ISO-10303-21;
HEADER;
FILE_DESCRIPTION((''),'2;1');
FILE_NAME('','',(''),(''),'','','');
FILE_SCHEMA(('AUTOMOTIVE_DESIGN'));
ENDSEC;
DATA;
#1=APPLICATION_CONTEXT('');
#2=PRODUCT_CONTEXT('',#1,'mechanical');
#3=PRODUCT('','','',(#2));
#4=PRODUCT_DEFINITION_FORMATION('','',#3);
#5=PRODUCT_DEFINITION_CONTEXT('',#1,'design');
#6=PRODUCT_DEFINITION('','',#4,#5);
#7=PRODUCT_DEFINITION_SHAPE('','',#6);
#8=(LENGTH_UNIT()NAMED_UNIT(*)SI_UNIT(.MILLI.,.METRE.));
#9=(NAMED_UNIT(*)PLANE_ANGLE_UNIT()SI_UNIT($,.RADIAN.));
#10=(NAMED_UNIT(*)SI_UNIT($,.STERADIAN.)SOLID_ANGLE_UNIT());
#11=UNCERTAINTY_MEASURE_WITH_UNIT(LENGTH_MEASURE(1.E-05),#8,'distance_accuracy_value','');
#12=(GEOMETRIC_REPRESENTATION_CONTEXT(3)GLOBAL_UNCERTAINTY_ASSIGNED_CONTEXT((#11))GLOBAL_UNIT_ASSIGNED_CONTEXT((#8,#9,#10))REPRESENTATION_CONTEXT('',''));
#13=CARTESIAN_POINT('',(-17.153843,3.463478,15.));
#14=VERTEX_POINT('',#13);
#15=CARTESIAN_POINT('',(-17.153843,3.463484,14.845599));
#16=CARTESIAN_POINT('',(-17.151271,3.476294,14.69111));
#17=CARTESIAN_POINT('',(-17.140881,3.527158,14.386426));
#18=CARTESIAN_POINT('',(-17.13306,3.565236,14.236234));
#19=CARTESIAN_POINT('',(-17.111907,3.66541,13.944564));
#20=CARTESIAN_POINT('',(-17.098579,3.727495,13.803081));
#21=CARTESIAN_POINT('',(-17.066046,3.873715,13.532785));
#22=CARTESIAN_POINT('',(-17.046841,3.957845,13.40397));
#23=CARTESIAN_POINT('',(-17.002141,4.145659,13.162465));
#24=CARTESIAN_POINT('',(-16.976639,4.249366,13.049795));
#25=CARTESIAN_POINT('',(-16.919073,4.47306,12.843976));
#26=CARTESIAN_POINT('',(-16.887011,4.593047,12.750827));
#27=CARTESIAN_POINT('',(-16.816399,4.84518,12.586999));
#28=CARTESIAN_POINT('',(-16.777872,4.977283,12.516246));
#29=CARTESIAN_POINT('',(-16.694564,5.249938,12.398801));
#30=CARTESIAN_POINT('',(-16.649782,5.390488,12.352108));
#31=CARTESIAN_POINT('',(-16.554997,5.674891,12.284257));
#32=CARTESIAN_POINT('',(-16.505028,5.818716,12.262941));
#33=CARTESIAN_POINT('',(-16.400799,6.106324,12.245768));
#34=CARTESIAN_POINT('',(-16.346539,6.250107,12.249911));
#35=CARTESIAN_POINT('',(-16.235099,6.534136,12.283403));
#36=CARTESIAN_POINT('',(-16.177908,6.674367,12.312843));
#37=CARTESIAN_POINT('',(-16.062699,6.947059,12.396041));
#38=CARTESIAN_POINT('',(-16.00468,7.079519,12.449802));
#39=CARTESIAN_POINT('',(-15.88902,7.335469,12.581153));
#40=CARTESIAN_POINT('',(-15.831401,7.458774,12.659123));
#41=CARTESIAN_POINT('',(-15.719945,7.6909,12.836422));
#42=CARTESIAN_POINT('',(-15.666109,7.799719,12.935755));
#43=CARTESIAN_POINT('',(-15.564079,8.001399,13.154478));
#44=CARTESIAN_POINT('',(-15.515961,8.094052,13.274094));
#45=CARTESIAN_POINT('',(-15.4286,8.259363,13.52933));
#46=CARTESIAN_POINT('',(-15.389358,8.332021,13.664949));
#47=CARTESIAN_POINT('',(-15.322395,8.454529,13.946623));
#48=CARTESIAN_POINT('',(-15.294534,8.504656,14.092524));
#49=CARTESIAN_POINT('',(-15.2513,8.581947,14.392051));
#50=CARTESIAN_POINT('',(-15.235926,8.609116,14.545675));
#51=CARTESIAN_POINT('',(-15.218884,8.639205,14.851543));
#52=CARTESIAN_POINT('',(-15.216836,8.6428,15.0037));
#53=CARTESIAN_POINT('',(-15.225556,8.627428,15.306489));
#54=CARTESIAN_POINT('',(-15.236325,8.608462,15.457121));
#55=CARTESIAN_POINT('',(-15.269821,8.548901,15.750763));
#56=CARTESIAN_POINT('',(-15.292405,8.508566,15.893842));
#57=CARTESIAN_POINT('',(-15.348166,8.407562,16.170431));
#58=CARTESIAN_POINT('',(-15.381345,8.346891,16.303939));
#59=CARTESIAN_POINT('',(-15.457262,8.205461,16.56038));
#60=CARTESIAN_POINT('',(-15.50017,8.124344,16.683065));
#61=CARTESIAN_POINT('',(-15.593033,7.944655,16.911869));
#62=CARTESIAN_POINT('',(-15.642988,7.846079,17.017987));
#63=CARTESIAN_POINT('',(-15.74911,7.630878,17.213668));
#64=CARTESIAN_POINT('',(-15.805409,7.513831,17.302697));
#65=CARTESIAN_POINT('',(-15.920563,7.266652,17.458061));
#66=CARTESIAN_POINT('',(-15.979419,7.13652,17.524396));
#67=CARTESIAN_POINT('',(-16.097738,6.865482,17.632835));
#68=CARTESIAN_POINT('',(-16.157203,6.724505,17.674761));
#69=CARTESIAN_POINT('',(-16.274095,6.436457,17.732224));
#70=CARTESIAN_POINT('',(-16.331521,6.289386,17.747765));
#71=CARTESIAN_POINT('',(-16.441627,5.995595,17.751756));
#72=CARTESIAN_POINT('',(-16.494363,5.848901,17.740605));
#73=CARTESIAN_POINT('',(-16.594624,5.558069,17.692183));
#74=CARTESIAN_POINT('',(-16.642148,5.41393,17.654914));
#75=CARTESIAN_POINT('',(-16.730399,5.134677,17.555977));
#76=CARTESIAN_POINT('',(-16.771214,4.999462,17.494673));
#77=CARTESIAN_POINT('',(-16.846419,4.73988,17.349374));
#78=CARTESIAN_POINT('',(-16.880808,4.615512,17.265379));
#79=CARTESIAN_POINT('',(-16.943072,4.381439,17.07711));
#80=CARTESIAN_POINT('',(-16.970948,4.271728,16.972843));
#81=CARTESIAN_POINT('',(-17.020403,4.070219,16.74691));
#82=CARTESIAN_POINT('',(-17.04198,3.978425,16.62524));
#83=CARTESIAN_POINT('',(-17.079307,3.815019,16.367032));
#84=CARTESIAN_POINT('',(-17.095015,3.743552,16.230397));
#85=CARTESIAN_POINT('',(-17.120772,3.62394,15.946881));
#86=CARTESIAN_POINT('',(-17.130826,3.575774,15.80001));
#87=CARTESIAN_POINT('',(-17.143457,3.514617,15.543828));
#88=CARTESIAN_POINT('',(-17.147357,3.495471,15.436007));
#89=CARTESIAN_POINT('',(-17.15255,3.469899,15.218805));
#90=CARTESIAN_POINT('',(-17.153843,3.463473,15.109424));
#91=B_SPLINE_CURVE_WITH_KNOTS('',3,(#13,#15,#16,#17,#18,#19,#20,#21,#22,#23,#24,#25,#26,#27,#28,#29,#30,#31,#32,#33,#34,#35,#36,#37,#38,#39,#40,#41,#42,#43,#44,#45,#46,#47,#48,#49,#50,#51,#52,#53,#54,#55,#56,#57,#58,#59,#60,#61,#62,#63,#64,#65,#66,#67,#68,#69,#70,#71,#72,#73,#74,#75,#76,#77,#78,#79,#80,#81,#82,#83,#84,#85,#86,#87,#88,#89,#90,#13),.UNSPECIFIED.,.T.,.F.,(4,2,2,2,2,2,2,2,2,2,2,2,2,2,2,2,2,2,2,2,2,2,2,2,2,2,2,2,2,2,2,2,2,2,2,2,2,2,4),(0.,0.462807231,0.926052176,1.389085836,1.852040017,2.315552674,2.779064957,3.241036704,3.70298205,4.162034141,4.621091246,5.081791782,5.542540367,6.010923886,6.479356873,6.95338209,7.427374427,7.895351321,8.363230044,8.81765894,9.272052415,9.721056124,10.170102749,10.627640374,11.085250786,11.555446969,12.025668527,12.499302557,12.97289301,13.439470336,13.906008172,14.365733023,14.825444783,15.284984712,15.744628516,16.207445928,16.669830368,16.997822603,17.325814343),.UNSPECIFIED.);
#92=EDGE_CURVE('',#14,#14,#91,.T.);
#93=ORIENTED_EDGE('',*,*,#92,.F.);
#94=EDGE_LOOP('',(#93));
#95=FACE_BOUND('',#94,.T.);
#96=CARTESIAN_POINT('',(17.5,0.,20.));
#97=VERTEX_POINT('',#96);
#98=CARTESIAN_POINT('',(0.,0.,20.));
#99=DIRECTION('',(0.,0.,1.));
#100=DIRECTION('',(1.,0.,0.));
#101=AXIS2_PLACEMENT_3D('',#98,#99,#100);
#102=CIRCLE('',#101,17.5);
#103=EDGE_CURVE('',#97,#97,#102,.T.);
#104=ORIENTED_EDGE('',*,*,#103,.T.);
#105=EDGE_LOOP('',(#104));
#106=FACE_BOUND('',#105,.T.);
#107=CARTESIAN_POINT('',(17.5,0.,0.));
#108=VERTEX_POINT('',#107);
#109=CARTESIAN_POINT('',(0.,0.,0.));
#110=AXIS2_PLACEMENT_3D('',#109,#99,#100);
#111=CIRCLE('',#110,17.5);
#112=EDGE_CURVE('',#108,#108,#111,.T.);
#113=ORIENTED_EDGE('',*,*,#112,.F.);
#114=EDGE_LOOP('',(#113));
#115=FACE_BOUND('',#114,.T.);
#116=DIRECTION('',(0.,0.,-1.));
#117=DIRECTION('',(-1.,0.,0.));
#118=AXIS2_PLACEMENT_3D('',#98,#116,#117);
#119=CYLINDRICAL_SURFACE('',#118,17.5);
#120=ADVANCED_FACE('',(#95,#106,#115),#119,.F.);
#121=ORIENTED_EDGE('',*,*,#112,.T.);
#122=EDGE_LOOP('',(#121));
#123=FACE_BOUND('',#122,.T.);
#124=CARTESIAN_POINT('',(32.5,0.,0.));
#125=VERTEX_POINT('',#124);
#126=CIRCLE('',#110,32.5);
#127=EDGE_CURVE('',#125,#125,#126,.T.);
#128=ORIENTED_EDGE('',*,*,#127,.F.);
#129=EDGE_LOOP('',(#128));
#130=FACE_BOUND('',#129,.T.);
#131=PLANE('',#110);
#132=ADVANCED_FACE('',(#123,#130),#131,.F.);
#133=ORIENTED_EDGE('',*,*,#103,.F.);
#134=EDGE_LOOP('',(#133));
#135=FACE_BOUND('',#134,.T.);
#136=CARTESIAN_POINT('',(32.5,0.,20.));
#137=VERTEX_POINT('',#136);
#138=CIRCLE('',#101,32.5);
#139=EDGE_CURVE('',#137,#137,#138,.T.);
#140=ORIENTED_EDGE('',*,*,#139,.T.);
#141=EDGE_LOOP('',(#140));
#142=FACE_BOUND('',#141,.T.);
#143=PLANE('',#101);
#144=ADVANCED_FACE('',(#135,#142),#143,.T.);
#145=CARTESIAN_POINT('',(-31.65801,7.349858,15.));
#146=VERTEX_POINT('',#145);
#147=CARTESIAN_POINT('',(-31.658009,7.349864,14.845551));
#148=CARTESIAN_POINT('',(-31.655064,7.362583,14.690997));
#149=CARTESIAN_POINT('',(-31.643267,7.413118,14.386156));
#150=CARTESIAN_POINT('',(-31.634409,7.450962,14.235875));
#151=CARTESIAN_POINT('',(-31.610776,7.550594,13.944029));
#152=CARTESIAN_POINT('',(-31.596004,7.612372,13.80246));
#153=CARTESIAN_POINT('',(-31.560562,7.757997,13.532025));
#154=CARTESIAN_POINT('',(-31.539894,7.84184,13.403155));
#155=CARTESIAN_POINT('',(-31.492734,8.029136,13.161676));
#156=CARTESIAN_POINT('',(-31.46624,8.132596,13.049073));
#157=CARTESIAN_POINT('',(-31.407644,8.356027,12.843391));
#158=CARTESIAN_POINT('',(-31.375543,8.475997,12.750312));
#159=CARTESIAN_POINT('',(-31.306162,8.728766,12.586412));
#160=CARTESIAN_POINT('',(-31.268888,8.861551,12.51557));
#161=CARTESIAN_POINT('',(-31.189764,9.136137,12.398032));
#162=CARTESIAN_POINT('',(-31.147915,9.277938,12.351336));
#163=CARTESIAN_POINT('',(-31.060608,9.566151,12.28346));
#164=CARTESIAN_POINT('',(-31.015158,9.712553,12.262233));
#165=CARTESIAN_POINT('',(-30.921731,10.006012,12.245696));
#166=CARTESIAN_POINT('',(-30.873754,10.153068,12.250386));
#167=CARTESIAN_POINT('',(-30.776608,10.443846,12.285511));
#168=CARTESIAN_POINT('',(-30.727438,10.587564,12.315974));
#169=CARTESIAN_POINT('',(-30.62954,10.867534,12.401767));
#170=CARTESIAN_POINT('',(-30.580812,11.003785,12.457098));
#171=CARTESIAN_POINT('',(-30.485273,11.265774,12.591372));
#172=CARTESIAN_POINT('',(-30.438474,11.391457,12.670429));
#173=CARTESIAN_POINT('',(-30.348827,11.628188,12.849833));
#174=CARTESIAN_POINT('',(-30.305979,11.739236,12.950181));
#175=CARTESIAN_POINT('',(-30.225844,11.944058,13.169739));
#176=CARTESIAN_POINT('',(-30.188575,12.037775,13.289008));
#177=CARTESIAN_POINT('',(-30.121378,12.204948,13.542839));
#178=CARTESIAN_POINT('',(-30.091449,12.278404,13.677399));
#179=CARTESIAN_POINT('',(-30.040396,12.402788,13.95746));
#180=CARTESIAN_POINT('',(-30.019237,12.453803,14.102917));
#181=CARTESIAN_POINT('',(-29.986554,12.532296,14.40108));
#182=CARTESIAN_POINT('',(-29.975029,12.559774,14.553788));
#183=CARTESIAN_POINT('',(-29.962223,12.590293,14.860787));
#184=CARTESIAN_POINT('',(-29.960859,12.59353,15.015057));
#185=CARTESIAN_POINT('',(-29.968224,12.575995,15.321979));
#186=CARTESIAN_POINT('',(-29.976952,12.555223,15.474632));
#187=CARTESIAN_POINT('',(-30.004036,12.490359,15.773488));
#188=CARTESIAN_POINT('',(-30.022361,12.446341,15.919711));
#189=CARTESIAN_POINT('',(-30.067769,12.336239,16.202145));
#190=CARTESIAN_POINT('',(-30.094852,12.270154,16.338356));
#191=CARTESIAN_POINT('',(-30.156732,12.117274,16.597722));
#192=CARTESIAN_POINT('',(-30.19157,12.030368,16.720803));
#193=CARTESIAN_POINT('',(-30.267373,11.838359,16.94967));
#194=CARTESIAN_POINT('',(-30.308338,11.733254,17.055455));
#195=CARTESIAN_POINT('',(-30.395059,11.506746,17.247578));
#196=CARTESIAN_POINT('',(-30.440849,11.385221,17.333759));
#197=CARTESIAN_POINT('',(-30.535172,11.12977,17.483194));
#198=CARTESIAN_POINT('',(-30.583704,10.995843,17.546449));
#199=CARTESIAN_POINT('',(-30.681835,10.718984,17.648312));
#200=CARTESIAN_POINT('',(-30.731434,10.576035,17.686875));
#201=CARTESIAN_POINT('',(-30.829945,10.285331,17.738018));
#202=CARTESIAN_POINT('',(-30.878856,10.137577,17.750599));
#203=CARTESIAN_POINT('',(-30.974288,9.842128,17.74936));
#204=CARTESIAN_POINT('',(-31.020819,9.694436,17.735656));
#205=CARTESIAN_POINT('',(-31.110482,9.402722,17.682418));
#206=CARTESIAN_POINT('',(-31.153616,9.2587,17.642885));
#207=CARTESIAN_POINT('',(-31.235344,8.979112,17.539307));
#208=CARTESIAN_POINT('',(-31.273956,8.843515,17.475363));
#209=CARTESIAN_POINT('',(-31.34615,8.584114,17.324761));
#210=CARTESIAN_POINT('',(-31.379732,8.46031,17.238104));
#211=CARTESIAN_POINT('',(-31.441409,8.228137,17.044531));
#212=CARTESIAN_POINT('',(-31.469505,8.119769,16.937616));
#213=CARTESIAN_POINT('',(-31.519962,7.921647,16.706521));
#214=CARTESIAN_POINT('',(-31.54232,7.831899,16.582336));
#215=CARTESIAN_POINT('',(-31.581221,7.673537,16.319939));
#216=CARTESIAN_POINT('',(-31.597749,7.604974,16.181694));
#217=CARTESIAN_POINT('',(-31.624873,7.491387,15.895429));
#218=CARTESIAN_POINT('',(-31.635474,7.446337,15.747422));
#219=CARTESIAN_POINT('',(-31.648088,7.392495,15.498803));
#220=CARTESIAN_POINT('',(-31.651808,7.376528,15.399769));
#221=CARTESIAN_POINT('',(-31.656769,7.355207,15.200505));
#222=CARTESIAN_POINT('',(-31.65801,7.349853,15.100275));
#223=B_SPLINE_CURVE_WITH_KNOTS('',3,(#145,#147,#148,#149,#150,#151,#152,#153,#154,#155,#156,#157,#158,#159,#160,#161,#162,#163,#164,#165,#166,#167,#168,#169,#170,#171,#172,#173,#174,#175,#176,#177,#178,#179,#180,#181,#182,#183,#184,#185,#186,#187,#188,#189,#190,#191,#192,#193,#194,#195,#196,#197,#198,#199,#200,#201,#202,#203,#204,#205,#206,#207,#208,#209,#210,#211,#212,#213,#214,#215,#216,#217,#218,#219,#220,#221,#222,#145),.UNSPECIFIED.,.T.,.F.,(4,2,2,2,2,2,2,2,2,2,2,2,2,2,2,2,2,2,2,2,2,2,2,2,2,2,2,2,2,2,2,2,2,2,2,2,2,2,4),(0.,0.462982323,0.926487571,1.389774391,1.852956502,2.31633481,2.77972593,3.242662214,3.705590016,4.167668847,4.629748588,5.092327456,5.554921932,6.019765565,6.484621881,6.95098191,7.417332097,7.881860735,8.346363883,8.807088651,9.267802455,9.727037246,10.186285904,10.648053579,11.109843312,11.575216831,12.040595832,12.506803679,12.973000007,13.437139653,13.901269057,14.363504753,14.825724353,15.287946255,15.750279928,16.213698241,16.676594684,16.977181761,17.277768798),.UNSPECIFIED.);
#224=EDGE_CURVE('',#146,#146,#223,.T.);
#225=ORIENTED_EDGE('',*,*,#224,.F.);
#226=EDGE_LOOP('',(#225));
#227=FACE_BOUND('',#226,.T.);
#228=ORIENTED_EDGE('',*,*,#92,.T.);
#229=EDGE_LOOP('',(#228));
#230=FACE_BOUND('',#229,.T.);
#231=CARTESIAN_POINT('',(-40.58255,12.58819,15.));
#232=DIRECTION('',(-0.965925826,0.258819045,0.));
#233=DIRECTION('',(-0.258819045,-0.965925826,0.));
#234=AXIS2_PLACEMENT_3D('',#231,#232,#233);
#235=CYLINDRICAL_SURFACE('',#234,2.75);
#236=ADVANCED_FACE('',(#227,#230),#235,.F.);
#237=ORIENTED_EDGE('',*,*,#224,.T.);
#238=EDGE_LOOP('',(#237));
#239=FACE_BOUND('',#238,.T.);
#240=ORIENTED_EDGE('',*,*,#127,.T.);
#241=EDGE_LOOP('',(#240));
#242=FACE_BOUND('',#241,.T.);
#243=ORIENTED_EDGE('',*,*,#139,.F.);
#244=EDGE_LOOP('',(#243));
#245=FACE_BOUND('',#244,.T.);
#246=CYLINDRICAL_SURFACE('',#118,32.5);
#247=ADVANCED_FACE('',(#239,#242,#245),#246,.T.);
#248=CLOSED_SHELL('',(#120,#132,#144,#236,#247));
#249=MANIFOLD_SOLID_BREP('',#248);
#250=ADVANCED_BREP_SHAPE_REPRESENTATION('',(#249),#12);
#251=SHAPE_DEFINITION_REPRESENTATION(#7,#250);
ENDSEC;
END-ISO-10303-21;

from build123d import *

# Parameters (mm, degrees)
SKIZZE1_R                             = 32.5
SKIZZE1_R_2                           = 17.5
AUFSATZ_LINEAR_AUSTRAGEN1_DEPTH       = 20
F_5_5_5_5_DURCHMESSER_BOHRUNG2_REACH  = 84.262
F_5_5_5_5_DURCHMESSER_BOHRUNG2_BORE_R = 2.75


with BuildPart() as part:
    # Skizze1 → Aufsatz-Linear austragen1 (new body)
    with BuildSketch(Plane.XY):
        Circle(SKIZZE1_R)
        Circle(SKIZZE1_R_2, mode=Mode.SUBTRACT)
    extrude(amount=AUFSATZ_LINEAR_AUSTRAGEN1_DEPTH)

    # Ø5.5 (5.5) Durchmesser Bohrung2 bore → Ø5.5 (5.5) Durchmesser Bohrung2 (cut, up to next)
    with BuildSketch(Plane(origin=(-51.211066257, -27.077970531, 64.793558896), x_dir=(0, 0, -1), z_dir=(-0.965925826, 0.258819045, 0)), mode=Mode.PRIVATE) as f_5_5_5_5_durchmesser_bohrung2_sk1:
        with Locations((49.793558896, -41.065431633)):
            Circle(F_5_5_5_5_DURCHMESSER_BOHRUNG2_BORE_R)
    f_5_5_5_5_durchmesser_bohrung2_tool1 = extrude(f_5_5_5_5_durchmesser_bohrung2_sk1.sketch, amount=-F_5_5_5_5_DURCHMESSER_BOHRUNG2_REACH, mode=Mode.PRIVATE) & part.part
    add(f_5_5_5_5_durchmesser_bohrung2_tool1.solids().sort_by_distance((-40.58255, 12.58819, 15))[0], mode=Mode.SUBTRACT)


solid = part.part
